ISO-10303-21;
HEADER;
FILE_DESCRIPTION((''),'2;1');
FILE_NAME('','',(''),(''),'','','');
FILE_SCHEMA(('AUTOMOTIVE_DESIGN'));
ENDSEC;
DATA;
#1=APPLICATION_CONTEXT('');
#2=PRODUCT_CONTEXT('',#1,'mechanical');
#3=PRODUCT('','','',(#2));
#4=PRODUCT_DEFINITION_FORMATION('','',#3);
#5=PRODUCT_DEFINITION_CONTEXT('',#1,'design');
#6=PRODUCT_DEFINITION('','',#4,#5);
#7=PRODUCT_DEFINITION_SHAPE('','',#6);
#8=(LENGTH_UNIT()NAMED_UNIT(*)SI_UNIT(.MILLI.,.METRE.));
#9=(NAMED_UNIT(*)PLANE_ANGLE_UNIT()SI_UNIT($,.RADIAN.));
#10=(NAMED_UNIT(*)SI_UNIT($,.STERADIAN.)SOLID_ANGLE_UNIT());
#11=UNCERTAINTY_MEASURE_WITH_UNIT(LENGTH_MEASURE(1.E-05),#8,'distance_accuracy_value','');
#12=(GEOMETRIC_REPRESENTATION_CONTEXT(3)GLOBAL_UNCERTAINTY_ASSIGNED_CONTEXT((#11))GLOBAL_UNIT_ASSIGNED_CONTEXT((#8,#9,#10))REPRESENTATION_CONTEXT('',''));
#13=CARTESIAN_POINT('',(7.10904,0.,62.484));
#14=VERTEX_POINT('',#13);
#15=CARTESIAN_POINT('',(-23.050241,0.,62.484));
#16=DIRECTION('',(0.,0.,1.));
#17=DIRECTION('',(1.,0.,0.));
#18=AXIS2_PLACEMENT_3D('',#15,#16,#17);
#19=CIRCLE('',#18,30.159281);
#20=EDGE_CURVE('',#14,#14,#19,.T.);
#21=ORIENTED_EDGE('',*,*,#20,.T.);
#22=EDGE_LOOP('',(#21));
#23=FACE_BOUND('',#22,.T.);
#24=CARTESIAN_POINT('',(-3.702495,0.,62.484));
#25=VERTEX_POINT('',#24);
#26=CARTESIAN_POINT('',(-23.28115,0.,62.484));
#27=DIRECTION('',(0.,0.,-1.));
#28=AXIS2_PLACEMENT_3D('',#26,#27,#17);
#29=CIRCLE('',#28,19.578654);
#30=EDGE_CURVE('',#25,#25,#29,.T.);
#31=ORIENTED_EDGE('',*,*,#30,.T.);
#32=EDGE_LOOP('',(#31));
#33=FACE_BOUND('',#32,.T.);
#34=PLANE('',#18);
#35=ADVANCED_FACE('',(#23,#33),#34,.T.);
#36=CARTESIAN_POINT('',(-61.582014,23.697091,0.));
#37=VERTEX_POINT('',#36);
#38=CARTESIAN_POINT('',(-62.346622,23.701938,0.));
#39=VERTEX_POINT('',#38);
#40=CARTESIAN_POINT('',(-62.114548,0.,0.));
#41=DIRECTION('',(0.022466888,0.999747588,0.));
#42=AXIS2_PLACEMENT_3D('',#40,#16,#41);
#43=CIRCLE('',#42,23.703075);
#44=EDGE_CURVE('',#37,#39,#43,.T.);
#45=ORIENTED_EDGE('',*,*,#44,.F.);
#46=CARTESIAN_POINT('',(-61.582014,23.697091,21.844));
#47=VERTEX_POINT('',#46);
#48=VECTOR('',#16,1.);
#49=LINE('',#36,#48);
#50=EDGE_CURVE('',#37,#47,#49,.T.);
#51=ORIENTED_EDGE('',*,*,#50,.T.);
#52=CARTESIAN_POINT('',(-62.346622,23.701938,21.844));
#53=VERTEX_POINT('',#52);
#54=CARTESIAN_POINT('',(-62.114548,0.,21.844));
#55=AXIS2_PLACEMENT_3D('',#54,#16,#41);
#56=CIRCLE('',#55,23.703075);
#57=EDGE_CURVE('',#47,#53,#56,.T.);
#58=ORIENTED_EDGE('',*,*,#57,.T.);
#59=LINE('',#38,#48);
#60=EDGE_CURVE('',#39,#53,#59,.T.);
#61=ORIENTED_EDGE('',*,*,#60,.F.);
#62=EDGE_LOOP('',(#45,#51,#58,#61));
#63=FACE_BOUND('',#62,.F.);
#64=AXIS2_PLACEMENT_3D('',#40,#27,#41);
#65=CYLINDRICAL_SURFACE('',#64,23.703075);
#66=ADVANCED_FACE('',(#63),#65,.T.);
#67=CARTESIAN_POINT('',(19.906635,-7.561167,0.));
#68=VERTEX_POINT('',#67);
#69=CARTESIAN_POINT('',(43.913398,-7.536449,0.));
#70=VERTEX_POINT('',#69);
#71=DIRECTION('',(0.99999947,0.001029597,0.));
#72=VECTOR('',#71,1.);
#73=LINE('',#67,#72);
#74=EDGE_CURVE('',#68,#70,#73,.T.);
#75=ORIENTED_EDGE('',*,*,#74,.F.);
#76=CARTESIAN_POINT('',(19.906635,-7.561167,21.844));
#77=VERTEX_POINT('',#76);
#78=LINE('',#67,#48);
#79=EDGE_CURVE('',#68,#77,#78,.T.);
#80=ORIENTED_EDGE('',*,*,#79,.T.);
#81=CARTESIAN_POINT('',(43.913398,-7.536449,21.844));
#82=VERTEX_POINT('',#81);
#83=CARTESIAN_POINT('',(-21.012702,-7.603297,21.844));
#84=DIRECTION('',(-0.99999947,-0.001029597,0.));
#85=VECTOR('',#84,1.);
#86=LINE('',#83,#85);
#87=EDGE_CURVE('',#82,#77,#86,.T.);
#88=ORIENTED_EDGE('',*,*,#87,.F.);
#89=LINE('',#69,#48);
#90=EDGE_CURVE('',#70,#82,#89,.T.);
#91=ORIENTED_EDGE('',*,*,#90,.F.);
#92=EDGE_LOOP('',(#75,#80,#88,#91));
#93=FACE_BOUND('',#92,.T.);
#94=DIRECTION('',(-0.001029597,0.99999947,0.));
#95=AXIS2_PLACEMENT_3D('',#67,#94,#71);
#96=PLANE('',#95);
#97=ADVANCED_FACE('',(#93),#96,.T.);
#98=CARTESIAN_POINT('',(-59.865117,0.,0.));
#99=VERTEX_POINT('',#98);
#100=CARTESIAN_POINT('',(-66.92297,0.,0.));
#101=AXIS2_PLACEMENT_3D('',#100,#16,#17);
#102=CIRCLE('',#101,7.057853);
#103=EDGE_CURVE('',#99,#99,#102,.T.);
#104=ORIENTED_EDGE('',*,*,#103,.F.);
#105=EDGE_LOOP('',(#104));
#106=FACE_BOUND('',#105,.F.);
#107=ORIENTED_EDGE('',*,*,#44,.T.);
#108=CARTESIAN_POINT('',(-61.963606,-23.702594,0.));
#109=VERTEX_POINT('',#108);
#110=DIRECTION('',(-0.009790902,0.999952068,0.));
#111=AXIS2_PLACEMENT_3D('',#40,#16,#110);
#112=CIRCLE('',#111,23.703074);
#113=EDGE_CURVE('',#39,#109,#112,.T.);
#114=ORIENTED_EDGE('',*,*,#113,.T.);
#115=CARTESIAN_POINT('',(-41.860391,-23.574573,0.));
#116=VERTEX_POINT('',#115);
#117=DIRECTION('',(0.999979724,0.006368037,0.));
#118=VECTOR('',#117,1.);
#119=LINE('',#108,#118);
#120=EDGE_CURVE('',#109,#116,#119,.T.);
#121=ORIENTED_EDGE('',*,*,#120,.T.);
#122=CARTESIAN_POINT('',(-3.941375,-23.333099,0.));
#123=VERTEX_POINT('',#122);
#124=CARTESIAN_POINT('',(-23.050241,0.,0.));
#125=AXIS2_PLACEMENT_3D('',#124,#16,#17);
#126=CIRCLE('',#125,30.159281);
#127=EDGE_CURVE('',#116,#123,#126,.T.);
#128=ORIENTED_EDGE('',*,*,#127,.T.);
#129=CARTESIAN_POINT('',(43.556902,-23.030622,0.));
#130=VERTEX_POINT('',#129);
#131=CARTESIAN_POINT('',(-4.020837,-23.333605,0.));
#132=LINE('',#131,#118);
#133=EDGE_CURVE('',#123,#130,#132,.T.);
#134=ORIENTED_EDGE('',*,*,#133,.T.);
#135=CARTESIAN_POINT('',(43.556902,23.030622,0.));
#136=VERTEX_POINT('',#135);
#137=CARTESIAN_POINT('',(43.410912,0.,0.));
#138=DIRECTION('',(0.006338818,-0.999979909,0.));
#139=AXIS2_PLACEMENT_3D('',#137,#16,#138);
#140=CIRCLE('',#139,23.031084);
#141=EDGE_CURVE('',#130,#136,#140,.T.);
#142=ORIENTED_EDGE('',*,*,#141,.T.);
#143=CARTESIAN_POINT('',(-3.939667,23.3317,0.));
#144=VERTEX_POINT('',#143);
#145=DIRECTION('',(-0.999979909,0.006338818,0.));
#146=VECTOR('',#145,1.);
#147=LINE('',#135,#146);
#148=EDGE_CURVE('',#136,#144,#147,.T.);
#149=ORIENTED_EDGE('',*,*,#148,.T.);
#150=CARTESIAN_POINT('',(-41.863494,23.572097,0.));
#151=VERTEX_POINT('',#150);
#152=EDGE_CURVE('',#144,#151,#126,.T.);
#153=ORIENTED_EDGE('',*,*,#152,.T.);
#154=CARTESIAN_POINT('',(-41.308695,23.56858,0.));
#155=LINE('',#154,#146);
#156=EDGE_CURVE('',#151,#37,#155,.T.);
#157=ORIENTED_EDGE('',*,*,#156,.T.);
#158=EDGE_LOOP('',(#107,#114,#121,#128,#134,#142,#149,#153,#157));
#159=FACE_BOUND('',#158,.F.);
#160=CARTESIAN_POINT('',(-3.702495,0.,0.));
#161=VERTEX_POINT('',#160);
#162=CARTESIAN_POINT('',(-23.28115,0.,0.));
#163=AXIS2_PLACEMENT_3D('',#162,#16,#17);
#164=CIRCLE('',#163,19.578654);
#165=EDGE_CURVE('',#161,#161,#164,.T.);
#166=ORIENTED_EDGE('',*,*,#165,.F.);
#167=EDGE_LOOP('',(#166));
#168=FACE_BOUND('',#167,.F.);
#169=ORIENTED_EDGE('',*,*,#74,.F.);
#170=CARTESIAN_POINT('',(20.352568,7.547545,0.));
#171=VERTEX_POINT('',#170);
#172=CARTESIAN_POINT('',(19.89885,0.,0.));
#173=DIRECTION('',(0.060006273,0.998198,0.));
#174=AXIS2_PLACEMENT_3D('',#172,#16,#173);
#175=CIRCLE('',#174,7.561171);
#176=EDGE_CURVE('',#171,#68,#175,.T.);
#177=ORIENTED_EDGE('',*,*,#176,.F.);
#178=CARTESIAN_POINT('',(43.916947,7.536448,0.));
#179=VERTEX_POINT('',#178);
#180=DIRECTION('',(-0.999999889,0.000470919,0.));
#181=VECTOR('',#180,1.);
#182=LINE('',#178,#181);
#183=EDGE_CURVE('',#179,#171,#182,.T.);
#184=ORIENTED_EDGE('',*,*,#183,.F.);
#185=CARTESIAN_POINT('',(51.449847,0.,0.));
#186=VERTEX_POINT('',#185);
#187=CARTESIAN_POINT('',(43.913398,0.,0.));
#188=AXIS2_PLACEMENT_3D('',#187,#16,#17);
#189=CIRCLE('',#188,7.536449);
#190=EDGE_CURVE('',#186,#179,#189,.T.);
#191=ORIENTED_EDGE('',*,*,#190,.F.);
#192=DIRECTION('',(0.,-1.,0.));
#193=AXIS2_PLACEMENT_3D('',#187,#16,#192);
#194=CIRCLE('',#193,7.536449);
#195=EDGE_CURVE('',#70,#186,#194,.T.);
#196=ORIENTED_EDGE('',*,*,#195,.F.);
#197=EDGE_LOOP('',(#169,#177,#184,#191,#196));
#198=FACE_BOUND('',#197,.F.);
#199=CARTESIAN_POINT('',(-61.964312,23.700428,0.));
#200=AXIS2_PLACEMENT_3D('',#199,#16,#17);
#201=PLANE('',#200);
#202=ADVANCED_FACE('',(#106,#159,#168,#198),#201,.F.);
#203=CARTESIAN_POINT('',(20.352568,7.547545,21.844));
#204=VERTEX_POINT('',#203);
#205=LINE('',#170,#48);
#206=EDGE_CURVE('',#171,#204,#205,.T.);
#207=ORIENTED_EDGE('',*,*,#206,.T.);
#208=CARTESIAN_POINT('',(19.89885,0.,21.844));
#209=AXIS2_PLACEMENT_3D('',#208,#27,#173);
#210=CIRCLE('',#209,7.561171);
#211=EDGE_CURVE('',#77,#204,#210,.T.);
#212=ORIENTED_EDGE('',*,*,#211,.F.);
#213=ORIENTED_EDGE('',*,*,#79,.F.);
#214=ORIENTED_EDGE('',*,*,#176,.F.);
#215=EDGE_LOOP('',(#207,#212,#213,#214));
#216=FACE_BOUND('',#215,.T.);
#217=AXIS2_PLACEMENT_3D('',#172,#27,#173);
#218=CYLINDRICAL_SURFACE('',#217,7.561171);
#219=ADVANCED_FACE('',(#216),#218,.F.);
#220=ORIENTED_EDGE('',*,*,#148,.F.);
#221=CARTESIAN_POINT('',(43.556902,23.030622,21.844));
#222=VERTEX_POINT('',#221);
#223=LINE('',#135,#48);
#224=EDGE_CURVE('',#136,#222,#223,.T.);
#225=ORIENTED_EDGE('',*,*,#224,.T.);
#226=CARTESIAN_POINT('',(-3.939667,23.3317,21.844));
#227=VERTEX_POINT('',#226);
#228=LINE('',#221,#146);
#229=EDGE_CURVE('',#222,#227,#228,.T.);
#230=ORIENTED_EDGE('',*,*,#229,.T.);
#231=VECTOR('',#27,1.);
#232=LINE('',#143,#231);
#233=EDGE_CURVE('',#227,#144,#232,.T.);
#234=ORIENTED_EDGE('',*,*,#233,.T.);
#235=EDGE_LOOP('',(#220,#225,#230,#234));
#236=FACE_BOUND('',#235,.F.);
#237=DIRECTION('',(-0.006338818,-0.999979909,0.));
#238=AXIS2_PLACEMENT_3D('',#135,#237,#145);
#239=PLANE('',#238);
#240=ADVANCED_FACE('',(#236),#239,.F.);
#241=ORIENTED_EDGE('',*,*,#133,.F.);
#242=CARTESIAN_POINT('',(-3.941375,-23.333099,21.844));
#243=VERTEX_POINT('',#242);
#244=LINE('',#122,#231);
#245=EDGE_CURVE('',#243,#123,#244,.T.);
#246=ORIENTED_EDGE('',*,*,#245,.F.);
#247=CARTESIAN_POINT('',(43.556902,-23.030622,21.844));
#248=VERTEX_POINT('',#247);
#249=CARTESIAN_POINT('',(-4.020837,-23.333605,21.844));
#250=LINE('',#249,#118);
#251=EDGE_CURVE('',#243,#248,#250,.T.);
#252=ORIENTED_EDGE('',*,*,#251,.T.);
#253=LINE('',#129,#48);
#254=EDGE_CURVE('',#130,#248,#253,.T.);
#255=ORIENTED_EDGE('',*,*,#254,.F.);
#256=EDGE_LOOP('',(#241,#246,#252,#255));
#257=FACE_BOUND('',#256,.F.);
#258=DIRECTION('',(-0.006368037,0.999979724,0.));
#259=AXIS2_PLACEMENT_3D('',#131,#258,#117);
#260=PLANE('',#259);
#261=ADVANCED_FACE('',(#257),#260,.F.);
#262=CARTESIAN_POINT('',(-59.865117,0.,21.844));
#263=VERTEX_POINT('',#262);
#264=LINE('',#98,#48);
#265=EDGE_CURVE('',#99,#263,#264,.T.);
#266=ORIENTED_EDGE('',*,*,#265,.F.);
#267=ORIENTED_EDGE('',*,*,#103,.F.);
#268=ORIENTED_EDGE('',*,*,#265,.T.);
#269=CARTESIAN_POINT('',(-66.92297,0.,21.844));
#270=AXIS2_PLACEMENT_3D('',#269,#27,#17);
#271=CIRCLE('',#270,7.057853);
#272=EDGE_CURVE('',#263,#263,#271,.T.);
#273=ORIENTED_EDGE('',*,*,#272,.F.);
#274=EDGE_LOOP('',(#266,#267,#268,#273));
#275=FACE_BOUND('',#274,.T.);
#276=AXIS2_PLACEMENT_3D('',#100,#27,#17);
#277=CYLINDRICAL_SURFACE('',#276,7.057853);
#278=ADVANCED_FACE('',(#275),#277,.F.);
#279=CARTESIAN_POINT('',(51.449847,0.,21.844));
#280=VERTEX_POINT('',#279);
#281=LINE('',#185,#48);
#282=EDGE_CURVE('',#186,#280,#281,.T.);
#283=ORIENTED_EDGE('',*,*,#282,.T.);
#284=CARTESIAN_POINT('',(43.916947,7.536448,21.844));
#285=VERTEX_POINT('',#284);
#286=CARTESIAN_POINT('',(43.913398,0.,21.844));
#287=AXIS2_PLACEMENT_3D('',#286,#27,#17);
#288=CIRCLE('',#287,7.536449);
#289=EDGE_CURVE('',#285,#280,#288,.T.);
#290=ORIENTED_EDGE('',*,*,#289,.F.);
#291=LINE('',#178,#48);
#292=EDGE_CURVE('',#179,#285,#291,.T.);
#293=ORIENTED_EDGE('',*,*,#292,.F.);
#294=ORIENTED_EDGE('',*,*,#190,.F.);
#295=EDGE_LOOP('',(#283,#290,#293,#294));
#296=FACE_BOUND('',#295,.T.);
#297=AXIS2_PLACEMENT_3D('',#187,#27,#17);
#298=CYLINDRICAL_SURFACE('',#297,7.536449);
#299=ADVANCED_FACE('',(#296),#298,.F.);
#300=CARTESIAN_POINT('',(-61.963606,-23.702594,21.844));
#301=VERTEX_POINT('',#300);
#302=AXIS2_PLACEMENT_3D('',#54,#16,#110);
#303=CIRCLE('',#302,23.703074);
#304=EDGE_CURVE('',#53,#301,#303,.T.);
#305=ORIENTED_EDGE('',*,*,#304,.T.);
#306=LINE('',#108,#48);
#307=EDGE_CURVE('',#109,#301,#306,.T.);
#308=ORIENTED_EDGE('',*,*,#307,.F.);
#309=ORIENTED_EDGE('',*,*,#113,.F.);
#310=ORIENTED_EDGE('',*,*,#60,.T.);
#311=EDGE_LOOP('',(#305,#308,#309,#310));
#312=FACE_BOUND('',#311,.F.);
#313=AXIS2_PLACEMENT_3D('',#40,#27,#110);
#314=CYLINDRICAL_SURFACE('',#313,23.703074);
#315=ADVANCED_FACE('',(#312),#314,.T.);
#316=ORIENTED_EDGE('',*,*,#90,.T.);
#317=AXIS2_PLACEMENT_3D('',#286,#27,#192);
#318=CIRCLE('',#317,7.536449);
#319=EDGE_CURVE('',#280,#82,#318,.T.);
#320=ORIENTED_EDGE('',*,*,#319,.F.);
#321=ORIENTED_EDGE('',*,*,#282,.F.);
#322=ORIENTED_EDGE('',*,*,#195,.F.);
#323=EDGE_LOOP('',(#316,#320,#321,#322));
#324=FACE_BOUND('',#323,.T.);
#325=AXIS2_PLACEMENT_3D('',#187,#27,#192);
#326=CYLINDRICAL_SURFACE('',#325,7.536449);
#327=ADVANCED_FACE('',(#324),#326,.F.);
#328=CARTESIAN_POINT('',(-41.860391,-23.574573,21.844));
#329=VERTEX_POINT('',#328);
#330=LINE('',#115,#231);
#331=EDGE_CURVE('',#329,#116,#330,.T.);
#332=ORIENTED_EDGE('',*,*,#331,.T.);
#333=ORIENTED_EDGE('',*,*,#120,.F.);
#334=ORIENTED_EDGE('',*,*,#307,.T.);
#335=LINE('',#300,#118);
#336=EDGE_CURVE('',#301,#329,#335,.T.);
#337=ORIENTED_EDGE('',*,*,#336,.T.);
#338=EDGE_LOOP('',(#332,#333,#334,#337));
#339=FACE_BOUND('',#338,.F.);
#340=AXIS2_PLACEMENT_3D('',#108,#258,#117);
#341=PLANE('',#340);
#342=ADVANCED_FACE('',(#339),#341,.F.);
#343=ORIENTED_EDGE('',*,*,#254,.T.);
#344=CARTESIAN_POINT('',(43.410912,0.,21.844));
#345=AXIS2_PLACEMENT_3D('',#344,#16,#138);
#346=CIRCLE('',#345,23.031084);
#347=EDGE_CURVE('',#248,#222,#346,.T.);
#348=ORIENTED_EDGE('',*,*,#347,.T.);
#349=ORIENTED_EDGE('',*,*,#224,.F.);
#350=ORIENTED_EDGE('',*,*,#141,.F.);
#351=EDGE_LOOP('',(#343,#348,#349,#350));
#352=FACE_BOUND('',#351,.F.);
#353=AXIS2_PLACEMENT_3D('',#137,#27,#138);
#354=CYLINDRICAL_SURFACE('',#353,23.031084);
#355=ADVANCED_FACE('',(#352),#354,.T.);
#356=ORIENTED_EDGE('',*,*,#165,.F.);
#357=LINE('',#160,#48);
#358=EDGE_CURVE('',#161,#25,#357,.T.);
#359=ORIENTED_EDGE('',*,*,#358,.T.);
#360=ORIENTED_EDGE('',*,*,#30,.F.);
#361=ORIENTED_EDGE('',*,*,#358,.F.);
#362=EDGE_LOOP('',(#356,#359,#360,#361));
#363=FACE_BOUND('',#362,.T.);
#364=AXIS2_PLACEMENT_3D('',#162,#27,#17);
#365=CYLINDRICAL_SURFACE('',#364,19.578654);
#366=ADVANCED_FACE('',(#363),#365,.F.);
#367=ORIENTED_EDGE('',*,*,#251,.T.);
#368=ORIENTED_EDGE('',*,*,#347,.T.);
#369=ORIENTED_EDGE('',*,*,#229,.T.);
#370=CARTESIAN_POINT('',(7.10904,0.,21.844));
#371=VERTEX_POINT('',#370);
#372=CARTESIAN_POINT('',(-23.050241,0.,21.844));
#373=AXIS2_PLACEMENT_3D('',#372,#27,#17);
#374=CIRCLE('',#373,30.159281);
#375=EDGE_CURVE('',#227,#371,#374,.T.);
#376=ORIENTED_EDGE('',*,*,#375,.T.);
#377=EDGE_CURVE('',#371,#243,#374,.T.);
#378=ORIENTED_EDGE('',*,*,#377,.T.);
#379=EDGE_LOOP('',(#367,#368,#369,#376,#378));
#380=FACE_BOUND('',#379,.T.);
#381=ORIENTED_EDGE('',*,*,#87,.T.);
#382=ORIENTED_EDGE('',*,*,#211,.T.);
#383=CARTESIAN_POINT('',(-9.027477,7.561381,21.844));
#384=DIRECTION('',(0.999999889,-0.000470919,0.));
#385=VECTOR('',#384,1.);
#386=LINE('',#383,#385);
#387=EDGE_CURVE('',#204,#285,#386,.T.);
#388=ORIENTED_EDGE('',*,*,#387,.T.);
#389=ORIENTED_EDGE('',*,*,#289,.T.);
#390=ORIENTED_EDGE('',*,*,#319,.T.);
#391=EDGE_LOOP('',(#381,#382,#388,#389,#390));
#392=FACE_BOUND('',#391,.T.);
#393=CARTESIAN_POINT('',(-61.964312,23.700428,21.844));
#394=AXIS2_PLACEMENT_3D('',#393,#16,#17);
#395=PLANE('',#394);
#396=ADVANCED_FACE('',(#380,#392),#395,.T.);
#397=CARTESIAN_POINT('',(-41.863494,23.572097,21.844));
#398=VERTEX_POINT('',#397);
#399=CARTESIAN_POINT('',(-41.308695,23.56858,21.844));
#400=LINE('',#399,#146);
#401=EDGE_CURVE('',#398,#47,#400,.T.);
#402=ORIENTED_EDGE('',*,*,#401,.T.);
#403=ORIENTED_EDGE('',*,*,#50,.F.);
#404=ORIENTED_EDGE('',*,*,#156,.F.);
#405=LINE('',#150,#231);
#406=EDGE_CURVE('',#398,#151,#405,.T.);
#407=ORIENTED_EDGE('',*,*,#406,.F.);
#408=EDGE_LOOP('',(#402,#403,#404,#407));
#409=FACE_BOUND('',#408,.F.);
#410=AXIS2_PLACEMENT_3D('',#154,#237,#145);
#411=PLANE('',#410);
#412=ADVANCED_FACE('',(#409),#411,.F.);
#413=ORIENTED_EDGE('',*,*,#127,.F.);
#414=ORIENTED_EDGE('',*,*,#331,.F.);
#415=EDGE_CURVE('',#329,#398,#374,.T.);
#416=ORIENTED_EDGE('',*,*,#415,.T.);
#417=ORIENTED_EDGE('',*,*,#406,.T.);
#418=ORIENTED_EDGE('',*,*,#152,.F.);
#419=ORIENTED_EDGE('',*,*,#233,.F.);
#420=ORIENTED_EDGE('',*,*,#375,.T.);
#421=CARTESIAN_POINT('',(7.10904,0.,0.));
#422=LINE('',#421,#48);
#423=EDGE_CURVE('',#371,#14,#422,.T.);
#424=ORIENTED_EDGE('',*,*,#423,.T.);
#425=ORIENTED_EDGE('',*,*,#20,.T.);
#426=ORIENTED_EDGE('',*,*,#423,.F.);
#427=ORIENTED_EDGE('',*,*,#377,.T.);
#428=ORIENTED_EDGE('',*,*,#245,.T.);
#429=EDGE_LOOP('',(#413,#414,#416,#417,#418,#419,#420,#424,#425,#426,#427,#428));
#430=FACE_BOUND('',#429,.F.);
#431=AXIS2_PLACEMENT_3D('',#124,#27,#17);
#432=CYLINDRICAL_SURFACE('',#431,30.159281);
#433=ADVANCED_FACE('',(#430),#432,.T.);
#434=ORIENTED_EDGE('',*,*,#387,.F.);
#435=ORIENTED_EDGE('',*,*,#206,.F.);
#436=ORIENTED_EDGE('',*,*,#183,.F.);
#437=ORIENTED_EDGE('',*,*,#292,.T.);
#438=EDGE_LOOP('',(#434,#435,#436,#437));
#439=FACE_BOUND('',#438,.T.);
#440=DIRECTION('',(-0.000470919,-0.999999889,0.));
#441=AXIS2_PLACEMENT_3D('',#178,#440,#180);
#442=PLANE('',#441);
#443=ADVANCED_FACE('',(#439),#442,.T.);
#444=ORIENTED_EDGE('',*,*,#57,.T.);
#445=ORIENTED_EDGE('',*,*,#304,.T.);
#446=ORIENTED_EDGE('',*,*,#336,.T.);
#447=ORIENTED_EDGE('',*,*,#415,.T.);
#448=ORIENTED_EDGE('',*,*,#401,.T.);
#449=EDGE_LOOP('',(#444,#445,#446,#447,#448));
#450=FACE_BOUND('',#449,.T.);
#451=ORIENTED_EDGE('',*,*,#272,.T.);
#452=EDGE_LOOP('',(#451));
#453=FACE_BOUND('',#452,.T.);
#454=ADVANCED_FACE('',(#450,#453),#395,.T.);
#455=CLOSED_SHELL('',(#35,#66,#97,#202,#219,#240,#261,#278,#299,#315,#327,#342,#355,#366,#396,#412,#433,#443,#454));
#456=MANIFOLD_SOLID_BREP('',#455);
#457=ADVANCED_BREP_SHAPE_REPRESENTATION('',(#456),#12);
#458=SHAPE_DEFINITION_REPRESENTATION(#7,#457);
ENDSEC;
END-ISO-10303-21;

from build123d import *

# Parameters (mm, degrees)
F1_DEPTH = 21.844
F2_R     = 30.1592813174
F3_DEPTH = 62.484
F4_R     = 19.5786544463
F5_DEPTH = 62.738
F7_DEPTH = 23.876
F8_R     = 7.0578530297
F9_DEPTH = 33.02


with BuildPart() as f1:
    # F0 (on Top) → F1 (new body)
    with BuildSketch(Plane.XY):
        with BuildLine():
            Line((-62.3466224072, 23.7019382979), (-61.5820136192, 23.6970914847))
            ThreePointArc((-61.5820136192, 23.6970914847), (-61.9642984681, 23.7025982274), (-62.3466224072, 23.7019382979))
        make_face()
        with BuildLine():
            Line((-41.3086953744, 23.5685800324), (-61.5820136192, 23.6970914847))
            Line((-61.5820136192, 23.6970914847), (-62.3466224072, 23.7019382979))
            ThreePointArc((-62.3466224072, 23.7019382979), (-85.8168487149, -0.1915085468), (-61.9636058746, -23.702593827))
            Line((-61.9636058746, -23.702593827), (-41.3055604078, -23.5710399543))
            ThreePointArc((-41.3055604078, -23.5710399543), (-52.7722777928, -0.0019924377), (-41.3086953744, 23.5685800324))
        make_face()
        with BuildLine():
            ThreePointArc((-4.0190974569, 23.3322033166), (-22.6226378881, 29.9591287907), (-41.3086953744, 23.5685800324))
            Line((-41.3086953744, 23.5685800324), (-4.0190974569, 23.3322033166))
        make_face()
        with BuildLine():
            Line((-4.0190974569, 23.3322033166), (-41.3086953744, 23.5685800324))
            ThreePointArc((-41.3086953744, 23.5685800324), (-52.7722777928, -0.0019924377), (-41.3055604078, -23.5710399543))
            Line((-41.3055604078, -23.5710399543), (-4.020837331, -23.3336046305))
            ThreePointArc((-4.020837331, -23.3336046305), (4.211331439, -12.9342741883), (7.1471835347, 0))
            ThreePointArc((7.1471835347, 0), (4.2118136579, 12.933266629), (-4.0190974569, 23.3322033166))
        make_face()
        with BuildLine():
            Line((43.5569020036, 23.0306216657), (-4.0190974569, 23.3322033166))
            ThreePointArc((-4.0190974569, 23.3322033166), (4.2118136579, 12.933266629), (7.1471835347, 0))
            ThreePointArc((7.1471835347, 0), (4.211331439, -12.9342741883), (-4.020837331, -23.3336046305))
            Line((-4.020837331, -23.3336046305), (43.5569020036, -23.0306216657))
            ThreePointArc((43.5569020036, -23.0306216657), (66.4419965279, 0), (43.5569020036, 23.0306216657))
        make_face()
        with BuildLine():
            Line((-4.020837331, -23.3336046305), (-41.3055604078, -23.5710399543))
            ThreePointArc((-41.3055604078, -23.5710399543), (-22.6217624778, -29.9591232288), (-4.020837331, -23.3336046305))
        make_face()
    extrude(amount=F1_DEPTH)

    # F2 (on Top) → F3 (join)
    with BuildSketch(Plane.XY):
        with Locations((-23.0502411723, 0)):
            Circle(F2_R)
    extrude(amount=F3_DEPTH)

    # F4 (on Top) → F5 (cut)
    with BuildSketch(Plane.XY):
        with Locations((-23.2811495662, 0)):
            Circle(F4_R)
    extrude(amount=F5_DEPTH, mode=Mode.SUBTRACT)

    # F6 (on Top) → F7 (cut)
    with BuildSketch(Plane.XY):
        with BuildLine():
            ThreePointArc((43.913397938, -7.536449256), (49.242472313, -5.329074375), (51.449847194, 0))
            ThreePointArc((51.449847194, 0), (49.2437269469, 5.3278194456), (43.9169469964, 7.5364484203))
            Line((43.9169469964, 7.5364484203), (43.913397938, -7.536449256))
        make_face()
        with BuildLine():
            Line((43.913397938, -7.536449256), (43.9169469964, 7.5364484203))
            ThreePointArc((43.9169469964, 7.5364484203), (36.3769488909, 0.0017745292), (43.913397938, -7.536449256))
        make_face()
        with BuildLine():
            ThreePointArc((43.913397938, -7.536449256), (36.3769488909, 0.0017745292), (43.9169469964, 7.5364484203))
            Line((43.9169469964, 7.5364484203), (20.3525681334, 7.5475453391))
            ThreePointArc((20.3525681334, 7.5475453391), (25.4034820207, 5.1836600837), (27.4600210391, 0))
            ThreePointArc((27.4600210391, 0), (25.2481571439, -5.3438018752), (19.9066354296, -7.5611665607))
            Line((19.9066354296, -7.5611665607), (43.913397938, -7.536449256))
        make_face()
        with BuildLine():
            ThreePointArc((27.4600210391, 0), (25.4034820207, 5.1836600837), (20.3525681334, 7.5475453391))
            ThreePointArc((20.3525681334, 7.5475453391), (12.3409711396, 0.2230703443), (19.9066354296, -7.5611665607))
            ThreePointArc((19.9066354296, -7.5611665607), (25.2481571439, -5.3438018752), (27.4600210391, 0))
        make_face()
    extrude(amount=F7_DEPTH, mode=Mode.SUBTRACT)

    # F8 (on Top) → F9 (cut)
    with BuildSketch(Plane.XY):
        with Locations((-66.9229701161, 0)):
            Circle(F8_R)
    extrude(amount=F9_DEPTH, mode=Mode.SUBTRACT)


solid = f1.part
